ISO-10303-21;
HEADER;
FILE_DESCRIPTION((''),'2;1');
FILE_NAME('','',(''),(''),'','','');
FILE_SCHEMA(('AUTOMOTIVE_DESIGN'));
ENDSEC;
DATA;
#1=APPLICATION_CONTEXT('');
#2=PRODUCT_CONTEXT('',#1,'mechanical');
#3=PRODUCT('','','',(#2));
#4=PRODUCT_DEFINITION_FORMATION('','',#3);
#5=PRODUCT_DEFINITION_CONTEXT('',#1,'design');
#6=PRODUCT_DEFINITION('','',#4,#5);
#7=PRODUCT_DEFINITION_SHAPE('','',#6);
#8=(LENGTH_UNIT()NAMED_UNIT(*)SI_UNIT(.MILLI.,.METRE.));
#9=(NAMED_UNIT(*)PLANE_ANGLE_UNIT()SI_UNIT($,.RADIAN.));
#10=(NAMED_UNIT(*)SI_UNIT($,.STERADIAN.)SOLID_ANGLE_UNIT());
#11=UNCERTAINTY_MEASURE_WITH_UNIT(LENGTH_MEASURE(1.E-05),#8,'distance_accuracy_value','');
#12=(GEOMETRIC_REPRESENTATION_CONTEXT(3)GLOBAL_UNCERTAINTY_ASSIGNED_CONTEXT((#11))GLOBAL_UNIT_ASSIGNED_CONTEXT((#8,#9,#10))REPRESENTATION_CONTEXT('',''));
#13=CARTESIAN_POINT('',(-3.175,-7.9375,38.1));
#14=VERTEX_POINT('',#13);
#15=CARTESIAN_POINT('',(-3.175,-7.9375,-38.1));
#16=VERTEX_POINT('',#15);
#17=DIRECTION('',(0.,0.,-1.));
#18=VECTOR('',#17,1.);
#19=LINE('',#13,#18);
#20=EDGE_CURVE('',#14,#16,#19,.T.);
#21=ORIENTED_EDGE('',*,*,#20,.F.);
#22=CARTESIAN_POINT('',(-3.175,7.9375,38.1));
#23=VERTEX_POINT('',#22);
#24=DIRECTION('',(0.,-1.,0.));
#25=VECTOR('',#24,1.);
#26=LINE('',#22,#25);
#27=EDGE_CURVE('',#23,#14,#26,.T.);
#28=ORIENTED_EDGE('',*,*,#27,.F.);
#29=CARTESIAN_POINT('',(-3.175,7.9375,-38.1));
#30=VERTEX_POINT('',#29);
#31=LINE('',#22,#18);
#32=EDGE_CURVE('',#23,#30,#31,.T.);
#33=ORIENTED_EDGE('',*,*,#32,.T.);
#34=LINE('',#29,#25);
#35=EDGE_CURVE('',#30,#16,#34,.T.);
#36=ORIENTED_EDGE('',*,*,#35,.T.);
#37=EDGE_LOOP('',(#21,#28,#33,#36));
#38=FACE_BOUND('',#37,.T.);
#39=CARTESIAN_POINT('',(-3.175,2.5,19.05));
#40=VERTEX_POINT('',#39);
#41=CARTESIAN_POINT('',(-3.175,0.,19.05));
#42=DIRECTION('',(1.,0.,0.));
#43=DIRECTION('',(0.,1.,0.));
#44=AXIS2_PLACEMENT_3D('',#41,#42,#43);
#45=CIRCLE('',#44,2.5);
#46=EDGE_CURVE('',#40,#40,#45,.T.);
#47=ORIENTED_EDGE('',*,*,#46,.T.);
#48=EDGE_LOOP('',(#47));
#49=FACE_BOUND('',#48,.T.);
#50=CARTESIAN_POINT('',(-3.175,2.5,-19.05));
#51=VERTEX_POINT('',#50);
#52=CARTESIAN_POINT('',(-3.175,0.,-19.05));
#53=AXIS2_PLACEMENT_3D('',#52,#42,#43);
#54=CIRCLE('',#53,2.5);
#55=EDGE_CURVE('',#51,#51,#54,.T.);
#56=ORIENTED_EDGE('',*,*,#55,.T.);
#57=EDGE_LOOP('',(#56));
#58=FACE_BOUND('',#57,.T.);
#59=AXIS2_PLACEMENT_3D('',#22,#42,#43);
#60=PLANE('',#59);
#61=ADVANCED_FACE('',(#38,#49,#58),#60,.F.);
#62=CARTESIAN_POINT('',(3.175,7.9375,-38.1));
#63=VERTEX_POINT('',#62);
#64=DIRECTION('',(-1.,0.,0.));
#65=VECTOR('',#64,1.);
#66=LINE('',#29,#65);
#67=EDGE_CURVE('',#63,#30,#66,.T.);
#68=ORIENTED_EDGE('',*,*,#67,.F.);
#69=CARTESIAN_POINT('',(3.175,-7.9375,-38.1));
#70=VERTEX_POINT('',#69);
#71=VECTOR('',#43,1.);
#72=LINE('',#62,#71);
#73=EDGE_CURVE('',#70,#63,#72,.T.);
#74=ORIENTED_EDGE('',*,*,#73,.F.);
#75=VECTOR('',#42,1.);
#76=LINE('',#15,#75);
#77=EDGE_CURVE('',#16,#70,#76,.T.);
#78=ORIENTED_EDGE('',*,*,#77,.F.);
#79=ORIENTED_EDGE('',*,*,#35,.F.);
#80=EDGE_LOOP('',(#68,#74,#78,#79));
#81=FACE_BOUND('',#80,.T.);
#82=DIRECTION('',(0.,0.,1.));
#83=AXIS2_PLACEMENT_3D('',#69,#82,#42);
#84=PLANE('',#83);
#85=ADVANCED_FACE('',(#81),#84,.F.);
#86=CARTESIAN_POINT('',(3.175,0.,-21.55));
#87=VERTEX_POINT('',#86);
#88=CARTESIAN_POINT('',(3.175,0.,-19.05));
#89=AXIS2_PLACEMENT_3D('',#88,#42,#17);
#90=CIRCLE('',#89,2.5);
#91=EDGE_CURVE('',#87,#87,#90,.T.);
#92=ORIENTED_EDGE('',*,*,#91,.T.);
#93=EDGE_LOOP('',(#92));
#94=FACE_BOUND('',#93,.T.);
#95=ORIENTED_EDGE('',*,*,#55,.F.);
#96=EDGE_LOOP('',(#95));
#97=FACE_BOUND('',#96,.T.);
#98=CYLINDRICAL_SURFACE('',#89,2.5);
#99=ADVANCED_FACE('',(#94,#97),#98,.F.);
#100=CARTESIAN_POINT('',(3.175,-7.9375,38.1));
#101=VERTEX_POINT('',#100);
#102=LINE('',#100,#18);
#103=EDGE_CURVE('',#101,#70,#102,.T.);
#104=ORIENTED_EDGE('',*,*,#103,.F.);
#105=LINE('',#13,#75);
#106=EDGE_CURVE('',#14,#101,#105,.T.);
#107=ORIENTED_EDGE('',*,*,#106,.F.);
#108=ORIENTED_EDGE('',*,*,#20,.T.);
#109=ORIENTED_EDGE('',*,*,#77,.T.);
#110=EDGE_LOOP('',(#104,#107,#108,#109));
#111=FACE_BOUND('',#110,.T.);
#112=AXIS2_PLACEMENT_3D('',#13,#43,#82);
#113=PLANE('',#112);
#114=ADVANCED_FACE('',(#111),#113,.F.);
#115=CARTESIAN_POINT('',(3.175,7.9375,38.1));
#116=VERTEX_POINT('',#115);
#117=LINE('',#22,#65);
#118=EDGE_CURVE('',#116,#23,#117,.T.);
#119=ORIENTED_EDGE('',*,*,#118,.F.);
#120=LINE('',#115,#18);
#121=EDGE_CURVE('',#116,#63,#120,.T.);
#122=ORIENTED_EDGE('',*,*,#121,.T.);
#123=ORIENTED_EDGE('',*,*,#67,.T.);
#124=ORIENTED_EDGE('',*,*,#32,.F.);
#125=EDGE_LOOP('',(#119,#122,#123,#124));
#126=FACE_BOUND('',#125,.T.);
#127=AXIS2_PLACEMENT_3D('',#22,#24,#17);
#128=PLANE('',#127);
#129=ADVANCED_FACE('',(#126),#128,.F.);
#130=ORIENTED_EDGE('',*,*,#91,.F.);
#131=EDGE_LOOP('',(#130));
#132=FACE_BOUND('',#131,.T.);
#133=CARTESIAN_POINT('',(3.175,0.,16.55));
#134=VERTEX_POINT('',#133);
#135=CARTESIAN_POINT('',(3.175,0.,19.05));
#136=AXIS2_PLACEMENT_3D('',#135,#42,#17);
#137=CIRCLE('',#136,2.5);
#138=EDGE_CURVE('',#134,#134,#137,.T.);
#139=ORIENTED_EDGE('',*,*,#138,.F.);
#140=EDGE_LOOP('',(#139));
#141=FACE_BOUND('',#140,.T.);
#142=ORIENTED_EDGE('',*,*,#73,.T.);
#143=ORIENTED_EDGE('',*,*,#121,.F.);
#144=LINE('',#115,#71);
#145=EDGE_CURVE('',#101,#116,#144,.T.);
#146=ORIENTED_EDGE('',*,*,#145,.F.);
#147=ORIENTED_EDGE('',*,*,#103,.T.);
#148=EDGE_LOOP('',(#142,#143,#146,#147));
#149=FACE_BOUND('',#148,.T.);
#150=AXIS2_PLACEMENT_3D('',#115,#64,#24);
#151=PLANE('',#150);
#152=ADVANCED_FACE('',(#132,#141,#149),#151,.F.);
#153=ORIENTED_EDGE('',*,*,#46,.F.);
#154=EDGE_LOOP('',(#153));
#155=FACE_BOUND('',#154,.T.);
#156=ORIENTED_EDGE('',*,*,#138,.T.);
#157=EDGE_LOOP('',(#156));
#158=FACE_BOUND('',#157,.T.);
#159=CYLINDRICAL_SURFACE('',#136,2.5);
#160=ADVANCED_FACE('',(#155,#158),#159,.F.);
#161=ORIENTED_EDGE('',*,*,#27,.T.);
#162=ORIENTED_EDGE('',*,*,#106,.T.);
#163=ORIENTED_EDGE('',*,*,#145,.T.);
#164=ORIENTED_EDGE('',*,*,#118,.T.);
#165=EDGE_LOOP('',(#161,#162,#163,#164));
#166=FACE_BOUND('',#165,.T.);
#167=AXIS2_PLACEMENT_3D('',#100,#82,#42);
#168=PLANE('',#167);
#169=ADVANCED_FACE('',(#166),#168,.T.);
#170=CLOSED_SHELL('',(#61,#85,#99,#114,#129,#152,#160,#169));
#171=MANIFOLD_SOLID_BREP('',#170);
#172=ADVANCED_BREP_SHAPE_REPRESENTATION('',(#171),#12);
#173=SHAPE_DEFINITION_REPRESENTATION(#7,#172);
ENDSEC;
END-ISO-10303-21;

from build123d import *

# Parameters (mm, degrees)
SKETCH1_W                 = 6.35
SKETCH1_H                 = 15.875
EXTRUDE1_DEPTH            = 38.1
M6X1_0_TAPPED_HOLE1_D     = 5
M6X1_0_TAPPED_HOLE1_DEPTH = 6.35


with BuildPart() as part:
    # Sketch1 → Extrude1 (new body, symmetric)
    with BuildSketch(Plane.XY):
        Rectangle(SKETCH1_W, SKETCH1_H)
    extrude(amount=EXTRUDE1_DEPTH, both=True)

    # M6x1.0 Tapped Hole1
    with Locations(Plane(origin=(3.175, 0, 0), x_dir=(0, 0, -1), z_dir=(1, 0, 0))):
        with Locations((-19.05, 0), (19.05, 0)):
            Hole(M6X1_0_TAPPED_HOLE1_D / 2, depth=M6X1_0_TAPPED_HOLE1_DEPTH)


solid = part.part
